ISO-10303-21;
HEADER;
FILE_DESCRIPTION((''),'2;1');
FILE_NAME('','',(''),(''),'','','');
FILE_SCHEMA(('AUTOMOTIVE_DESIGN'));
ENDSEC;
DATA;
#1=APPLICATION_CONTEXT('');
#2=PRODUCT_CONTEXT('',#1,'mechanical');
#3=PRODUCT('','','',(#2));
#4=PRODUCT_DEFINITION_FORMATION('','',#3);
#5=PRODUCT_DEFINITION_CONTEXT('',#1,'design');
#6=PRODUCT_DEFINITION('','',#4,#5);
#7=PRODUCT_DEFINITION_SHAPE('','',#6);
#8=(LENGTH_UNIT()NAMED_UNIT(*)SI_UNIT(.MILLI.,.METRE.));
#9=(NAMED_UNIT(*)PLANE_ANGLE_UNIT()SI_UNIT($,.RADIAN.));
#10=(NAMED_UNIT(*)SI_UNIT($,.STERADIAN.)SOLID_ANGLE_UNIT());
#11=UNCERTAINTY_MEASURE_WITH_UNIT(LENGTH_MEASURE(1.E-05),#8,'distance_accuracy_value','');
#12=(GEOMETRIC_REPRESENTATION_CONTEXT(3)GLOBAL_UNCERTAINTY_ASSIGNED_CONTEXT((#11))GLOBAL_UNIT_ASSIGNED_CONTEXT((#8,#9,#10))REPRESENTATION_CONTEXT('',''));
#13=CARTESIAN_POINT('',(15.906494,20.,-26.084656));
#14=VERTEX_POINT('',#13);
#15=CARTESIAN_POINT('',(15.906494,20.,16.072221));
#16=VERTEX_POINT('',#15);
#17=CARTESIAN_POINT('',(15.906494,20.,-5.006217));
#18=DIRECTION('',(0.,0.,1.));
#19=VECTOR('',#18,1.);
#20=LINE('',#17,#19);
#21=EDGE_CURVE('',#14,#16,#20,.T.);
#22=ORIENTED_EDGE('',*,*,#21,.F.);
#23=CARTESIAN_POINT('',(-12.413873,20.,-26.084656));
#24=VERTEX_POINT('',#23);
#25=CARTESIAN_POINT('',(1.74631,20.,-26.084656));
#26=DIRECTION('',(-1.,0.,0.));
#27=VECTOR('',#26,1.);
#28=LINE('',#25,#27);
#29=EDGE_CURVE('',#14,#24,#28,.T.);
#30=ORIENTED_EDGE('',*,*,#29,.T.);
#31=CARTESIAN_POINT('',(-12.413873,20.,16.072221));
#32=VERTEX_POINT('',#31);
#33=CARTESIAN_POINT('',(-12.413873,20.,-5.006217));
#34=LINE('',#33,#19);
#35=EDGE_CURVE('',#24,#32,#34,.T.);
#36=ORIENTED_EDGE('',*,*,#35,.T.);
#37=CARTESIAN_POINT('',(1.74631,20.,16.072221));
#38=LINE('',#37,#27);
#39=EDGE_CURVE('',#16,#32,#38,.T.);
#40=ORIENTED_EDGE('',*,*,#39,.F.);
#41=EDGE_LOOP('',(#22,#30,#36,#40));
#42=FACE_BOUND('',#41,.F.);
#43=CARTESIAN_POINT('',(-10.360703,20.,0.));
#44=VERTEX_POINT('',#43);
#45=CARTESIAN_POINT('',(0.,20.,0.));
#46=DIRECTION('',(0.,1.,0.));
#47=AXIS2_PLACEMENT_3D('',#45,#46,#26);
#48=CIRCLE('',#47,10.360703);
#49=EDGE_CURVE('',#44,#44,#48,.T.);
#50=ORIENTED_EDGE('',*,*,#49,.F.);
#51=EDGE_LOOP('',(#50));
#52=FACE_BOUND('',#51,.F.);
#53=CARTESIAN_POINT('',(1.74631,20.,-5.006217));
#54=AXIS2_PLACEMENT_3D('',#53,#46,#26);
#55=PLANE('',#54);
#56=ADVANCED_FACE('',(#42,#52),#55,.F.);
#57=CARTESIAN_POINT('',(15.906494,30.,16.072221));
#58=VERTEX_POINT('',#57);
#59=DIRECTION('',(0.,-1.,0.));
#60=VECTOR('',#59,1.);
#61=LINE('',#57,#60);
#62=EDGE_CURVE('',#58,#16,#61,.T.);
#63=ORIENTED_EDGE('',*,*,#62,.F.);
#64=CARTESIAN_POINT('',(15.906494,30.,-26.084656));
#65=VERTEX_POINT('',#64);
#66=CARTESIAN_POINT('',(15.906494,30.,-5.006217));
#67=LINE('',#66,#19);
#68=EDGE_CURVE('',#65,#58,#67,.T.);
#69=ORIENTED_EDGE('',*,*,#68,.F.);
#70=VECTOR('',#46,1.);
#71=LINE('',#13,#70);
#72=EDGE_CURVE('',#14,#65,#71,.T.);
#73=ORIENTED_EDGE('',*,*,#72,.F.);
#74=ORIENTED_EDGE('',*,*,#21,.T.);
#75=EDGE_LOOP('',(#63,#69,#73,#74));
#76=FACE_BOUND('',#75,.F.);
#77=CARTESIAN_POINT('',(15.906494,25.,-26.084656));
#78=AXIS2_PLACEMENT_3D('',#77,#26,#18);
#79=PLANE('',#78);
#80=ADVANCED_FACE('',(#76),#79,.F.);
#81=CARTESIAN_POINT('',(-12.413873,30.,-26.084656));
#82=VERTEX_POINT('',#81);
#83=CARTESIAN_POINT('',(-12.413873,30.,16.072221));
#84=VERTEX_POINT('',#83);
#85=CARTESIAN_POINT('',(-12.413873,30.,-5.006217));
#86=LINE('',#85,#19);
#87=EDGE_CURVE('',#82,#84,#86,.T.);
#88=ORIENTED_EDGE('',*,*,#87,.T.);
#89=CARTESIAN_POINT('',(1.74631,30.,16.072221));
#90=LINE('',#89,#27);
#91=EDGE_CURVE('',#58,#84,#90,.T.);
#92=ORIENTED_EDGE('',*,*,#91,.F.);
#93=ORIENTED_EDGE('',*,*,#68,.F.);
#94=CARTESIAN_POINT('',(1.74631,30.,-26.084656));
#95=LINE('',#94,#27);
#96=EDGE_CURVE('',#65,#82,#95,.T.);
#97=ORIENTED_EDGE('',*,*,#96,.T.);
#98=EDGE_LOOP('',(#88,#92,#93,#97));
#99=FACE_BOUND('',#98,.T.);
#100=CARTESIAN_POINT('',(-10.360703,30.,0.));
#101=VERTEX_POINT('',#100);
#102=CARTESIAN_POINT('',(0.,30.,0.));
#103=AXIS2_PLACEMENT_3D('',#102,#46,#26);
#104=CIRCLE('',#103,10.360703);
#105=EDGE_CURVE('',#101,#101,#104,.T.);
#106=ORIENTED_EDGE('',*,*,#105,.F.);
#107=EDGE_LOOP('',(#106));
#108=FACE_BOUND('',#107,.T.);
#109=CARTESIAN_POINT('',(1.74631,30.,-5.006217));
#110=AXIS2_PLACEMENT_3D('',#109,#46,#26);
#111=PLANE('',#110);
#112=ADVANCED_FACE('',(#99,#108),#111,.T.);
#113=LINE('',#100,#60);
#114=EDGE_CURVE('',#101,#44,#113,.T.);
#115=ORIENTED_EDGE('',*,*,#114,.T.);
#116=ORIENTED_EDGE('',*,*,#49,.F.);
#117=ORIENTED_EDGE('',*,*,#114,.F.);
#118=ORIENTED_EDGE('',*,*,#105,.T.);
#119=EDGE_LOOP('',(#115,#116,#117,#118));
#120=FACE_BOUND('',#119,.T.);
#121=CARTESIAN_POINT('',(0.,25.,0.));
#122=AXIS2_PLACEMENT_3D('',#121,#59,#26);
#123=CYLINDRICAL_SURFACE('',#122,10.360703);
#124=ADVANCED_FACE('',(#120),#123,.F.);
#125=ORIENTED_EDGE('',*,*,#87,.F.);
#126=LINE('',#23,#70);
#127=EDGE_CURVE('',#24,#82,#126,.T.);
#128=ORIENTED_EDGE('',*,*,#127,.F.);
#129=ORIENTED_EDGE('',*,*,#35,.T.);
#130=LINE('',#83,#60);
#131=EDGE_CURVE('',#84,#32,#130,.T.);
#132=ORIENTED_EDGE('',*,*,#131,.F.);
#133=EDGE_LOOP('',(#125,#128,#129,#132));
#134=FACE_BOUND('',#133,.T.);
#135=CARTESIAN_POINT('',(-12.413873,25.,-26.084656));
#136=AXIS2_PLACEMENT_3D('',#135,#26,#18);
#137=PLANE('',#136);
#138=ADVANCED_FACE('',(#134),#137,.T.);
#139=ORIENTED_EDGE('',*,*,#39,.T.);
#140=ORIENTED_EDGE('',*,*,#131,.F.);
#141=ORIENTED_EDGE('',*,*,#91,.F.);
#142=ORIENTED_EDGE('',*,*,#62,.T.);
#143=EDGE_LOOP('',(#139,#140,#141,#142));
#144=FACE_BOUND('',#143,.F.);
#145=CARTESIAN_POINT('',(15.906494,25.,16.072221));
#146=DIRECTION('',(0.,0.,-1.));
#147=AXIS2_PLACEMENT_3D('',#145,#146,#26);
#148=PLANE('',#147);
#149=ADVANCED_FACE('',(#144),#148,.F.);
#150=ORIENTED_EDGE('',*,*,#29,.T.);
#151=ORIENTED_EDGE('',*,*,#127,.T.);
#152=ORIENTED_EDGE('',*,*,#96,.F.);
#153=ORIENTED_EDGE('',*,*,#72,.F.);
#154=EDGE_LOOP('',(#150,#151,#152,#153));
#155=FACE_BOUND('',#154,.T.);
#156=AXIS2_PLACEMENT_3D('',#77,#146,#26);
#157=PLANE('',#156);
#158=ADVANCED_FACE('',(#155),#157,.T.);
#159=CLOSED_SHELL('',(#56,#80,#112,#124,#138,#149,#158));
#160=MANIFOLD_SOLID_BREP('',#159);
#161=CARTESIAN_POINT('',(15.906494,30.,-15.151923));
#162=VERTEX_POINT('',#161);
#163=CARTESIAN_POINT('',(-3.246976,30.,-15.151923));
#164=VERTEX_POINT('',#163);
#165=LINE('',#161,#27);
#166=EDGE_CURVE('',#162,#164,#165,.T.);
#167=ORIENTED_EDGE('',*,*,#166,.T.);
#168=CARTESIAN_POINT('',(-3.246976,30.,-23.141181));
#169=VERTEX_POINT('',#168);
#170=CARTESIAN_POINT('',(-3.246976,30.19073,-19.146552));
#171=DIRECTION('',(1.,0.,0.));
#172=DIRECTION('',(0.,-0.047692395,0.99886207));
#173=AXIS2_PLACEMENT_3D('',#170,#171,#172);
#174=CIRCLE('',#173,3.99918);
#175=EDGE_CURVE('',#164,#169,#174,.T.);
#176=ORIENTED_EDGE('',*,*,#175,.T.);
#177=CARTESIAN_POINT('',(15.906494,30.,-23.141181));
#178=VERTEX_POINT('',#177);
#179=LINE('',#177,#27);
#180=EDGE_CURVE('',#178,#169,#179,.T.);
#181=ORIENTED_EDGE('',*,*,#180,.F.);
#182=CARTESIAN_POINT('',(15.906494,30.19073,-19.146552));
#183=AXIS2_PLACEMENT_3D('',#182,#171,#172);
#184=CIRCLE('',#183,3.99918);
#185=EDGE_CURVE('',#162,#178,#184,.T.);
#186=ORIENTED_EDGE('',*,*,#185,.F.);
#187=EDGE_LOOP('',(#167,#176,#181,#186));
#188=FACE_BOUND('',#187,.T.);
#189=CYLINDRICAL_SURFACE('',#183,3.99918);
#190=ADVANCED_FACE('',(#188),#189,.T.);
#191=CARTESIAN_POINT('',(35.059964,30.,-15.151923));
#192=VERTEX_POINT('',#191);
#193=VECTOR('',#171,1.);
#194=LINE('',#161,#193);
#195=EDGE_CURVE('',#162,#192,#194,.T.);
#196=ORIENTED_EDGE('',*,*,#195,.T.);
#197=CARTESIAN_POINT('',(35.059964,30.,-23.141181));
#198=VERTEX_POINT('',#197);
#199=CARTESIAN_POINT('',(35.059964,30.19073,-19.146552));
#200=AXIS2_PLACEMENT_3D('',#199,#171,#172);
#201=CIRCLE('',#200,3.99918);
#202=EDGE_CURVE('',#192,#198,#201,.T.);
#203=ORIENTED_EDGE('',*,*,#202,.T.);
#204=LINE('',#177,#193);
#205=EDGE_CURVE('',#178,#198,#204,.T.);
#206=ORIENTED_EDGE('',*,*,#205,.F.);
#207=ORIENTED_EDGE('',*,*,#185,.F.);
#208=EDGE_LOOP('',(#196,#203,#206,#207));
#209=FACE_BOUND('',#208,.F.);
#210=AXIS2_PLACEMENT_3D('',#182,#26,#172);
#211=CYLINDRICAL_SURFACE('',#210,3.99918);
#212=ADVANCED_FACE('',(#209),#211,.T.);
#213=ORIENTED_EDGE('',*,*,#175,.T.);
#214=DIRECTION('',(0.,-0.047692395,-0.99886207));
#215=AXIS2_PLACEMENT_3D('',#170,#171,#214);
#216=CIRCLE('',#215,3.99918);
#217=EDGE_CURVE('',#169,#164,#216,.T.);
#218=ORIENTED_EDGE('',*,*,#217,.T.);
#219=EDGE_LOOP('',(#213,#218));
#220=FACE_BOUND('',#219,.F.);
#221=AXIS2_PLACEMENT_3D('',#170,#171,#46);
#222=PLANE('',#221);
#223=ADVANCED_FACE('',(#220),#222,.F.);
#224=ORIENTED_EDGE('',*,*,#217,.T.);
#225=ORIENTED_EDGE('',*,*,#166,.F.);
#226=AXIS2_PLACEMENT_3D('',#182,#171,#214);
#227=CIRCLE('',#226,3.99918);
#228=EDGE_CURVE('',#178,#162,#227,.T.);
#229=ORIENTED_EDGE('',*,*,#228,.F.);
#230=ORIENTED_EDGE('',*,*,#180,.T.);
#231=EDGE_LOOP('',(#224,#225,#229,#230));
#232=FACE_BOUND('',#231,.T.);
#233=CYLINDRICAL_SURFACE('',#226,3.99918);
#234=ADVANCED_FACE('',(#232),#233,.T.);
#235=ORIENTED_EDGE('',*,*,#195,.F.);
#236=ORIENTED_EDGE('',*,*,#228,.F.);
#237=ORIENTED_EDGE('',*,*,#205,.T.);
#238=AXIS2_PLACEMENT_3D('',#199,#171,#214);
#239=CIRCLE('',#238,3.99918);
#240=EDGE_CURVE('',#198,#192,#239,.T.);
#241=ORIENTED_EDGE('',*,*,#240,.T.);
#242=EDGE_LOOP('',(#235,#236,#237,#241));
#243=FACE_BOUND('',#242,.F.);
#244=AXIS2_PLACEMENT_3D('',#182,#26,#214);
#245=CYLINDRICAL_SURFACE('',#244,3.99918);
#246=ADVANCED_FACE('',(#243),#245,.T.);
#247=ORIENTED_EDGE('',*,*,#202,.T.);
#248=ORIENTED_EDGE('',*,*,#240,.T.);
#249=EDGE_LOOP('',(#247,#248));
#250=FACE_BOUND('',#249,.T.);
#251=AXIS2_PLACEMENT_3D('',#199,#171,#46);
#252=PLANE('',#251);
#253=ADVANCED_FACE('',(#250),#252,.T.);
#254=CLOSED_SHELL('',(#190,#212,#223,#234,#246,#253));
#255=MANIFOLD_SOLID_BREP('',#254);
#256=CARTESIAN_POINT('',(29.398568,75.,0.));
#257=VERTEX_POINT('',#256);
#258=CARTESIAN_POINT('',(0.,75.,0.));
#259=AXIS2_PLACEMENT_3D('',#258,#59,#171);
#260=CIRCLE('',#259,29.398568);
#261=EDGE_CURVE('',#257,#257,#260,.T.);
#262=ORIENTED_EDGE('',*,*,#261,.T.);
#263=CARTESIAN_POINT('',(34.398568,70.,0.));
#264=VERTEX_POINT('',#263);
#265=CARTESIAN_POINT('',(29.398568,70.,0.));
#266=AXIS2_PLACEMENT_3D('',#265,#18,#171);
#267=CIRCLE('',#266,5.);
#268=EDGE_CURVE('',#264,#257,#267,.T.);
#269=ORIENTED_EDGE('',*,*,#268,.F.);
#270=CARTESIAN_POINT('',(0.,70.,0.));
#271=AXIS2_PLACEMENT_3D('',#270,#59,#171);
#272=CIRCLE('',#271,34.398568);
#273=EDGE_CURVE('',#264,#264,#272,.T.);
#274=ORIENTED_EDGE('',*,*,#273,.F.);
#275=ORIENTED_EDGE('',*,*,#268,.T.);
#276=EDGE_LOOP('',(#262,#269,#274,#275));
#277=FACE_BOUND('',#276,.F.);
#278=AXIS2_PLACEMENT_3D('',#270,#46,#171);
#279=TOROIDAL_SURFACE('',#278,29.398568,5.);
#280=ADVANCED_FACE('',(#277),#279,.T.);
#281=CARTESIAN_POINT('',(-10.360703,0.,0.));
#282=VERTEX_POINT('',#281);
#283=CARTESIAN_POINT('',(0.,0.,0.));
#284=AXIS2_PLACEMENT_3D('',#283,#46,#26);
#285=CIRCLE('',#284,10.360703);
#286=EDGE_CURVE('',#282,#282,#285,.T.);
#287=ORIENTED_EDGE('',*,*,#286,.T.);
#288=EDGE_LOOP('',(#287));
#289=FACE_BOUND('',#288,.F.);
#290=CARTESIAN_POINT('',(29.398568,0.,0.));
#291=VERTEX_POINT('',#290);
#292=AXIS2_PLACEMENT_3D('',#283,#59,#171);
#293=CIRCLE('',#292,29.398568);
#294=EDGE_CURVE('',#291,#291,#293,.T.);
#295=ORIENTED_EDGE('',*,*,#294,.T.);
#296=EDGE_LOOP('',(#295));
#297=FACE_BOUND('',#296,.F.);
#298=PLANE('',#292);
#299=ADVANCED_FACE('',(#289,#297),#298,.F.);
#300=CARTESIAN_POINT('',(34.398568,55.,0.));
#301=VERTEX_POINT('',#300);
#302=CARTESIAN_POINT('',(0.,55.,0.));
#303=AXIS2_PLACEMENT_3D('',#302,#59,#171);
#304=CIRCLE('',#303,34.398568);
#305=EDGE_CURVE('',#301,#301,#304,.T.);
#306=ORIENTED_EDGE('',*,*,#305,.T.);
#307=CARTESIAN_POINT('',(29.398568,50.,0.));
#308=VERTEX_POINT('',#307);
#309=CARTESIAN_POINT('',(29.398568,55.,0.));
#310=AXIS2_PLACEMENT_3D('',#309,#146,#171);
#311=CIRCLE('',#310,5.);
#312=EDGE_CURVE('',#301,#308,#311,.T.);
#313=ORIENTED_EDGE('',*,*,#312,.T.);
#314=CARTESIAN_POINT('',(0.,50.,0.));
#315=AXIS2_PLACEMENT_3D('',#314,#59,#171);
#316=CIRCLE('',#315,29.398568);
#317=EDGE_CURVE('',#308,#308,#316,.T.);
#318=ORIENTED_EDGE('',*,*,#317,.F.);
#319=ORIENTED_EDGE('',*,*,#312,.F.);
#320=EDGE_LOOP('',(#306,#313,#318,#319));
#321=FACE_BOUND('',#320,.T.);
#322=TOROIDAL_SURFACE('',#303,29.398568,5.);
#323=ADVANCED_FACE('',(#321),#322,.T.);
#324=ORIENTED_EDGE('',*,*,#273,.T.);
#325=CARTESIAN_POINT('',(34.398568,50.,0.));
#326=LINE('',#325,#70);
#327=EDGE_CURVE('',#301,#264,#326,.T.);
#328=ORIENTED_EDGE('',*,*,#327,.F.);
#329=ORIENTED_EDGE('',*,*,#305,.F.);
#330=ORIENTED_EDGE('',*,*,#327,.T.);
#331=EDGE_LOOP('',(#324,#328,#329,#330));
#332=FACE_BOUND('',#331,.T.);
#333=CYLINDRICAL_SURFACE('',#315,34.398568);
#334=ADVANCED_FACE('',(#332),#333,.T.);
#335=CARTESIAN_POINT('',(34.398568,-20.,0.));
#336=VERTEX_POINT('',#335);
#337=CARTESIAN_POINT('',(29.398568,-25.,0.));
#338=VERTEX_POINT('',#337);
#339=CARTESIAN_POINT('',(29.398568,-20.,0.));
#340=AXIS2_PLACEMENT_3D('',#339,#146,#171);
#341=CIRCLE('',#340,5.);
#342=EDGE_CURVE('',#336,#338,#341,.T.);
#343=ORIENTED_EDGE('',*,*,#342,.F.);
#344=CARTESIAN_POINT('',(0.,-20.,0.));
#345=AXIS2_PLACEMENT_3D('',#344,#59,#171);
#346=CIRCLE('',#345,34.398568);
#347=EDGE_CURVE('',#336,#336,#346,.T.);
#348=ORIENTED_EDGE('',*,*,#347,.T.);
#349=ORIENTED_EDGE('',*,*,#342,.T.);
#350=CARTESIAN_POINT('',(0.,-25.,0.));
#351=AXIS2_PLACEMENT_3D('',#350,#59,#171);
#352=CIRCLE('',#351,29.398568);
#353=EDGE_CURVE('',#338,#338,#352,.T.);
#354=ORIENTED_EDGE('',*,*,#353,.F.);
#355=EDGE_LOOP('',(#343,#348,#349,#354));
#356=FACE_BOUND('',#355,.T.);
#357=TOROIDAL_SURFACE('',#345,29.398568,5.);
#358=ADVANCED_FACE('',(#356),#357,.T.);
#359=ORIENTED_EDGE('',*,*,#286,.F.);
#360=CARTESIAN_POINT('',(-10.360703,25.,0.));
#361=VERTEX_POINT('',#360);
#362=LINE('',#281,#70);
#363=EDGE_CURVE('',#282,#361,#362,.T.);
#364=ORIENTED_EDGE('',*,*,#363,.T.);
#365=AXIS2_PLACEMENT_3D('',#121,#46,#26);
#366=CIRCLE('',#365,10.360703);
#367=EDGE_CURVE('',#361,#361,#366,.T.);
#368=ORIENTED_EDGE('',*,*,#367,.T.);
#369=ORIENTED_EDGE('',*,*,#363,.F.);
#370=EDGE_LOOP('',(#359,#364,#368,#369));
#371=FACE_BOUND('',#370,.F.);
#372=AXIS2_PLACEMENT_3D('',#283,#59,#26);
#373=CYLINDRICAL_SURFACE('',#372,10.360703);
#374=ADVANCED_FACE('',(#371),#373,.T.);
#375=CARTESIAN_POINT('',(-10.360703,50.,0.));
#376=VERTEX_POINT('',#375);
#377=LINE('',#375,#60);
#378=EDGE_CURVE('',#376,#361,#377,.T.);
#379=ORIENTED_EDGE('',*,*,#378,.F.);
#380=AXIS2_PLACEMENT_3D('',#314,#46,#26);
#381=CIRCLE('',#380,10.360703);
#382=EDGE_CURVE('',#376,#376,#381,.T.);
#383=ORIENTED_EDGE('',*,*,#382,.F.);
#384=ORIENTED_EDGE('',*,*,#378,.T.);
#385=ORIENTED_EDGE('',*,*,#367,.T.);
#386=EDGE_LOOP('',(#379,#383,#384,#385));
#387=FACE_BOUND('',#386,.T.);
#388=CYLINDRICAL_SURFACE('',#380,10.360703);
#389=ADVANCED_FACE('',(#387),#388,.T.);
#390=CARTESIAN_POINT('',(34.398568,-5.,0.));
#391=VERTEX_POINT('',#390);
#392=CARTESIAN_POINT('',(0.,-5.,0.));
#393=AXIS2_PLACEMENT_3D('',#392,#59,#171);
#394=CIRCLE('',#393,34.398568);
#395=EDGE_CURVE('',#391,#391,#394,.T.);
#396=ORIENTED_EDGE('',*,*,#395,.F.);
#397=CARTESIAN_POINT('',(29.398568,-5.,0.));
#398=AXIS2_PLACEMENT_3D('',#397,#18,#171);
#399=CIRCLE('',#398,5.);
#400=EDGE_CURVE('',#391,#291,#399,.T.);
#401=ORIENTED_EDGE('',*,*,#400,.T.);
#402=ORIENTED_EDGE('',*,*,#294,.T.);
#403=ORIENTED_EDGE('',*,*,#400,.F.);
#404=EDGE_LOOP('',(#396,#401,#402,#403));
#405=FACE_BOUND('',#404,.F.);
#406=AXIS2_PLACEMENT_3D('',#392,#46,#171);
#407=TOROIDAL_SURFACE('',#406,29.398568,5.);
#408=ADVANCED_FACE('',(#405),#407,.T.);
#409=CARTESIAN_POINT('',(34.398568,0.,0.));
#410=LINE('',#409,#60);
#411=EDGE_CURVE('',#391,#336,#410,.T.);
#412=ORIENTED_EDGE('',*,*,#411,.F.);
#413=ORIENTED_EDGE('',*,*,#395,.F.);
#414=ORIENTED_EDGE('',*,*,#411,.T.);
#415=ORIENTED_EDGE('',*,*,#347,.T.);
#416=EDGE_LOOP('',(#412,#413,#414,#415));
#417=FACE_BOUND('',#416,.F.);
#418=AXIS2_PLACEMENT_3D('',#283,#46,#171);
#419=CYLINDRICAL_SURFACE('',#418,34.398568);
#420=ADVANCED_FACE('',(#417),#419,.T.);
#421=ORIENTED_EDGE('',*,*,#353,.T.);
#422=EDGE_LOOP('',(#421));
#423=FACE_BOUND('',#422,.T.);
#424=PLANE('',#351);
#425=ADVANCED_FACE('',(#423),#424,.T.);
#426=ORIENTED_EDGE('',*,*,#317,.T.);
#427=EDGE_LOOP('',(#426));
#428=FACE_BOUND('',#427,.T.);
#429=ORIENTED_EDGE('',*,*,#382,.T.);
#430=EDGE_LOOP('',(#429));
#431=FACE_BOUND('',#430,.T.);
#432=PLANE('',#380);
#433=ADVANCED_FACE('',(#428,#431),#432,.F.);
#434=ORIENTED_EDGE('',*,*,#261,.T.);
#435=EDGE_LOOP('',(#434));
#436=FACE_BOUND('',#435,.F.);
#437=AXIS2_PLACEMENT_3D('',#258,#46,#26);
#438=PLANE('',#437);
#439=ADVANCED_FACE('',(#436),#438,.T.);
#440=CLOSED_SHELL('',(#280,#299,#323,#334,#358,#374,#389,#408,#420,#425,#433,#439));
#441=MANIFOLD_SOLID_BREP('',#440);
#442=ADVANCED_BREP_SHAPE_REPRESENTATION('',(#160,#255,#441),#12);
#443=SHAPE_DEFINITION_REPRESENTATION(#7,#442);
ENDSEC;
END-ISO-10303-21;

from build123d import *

# Parameters (mm, degrees)
F0_R     = 34.3985683882
F1_DEPTH = 25
F2_R     = 10.3607031397
F3_DEPTH = 25
F4_R     = 5
F5_W     = 28.320367448
F5_H     = 42.1568769962
F5_R     = 10.3607031397
F6_DEPTH = 5
F7_R     = 3.9991799227
F8_DEPTH = 19.15347


with BuildPart() as f1:
    # F0 (on Front) → F1 (new body)
    with BuildSketch(Plane.XZ):
        Circle(F0_R)
    extrude(amount=F1_DEPTH)

    # F2 (on face) → F3 (join)
    with BuildSketch(Plane(origin=(0, 0, 0), x_dir=(-1, 0, 0), z_dir=(0, 1, 0))):
        Circle(F2_R)
    extrude(amount=F3_DEPTH)

    # F4
    f4_edges = [f1.edges().sort_by_distance(p)[0] for p in [
        (-34.398568, 0, 0),
        (-34.398568, -25, 0),
    ]]
    fillet(f4_edges, radius=F4_R)

    # F9: F1 across face


with BuildPart() as f6:
    # F5 (on face) → F6 (new body, symmetric)
    with BuildSketch(Plane(origin=(0, 25, 0), x_dir=(-1, 0, 0), z_dir=(0, 1, 0))):
        with Locations((-1.7463103868, -5.0062173977)):
            Rectangle(F5_W, F5_H)
        Circle(F5_R, mode=Mode.SUBTRACT)
    extrude(amount=F6_DEPTH, both=True)


with BuildPart() as f8:
    # F7 (on face) → F8 (new body, symmetric)
    with BuildSketch(Plane.YZ.offset(15.9064941108)):
        with Locations((30.1907304674, -19.1465523094)):
            Circle(F7_R)
        with BuildLine():
            Line((30, -23.1411814465), (30, -15.1519231723))
            ThreePointArc((30, -15.1519231723), (26.1915505447, -19.1465523094), (30, -23.1411814465))
        make_face()
        with BuildLine():
            ThreePointArc((30, -23.1411814465), (32.9503205274, -22.0410475599), (34.1899103902, -19.1465523094))
            ThreePointArc((34.1899103902, -19.1465523094), (32.9503205274, -16.2520570589), (30, -15.1519231723))
            Line((30, -15.1519231723), (30, -23.1411814465))
        make_face()
    extrude(amount=F8_DEPTH, both=True)


with BuildPart() as f1_1:
    add(f1.part)
    add(f1.part.mirror(Plane(origin=(0, 25, 0), x_dir=(-1, 0, 0), z_dir=(0, 1, 0))))


solid = Compound([f6.part, f8.part, f1_1.part])
